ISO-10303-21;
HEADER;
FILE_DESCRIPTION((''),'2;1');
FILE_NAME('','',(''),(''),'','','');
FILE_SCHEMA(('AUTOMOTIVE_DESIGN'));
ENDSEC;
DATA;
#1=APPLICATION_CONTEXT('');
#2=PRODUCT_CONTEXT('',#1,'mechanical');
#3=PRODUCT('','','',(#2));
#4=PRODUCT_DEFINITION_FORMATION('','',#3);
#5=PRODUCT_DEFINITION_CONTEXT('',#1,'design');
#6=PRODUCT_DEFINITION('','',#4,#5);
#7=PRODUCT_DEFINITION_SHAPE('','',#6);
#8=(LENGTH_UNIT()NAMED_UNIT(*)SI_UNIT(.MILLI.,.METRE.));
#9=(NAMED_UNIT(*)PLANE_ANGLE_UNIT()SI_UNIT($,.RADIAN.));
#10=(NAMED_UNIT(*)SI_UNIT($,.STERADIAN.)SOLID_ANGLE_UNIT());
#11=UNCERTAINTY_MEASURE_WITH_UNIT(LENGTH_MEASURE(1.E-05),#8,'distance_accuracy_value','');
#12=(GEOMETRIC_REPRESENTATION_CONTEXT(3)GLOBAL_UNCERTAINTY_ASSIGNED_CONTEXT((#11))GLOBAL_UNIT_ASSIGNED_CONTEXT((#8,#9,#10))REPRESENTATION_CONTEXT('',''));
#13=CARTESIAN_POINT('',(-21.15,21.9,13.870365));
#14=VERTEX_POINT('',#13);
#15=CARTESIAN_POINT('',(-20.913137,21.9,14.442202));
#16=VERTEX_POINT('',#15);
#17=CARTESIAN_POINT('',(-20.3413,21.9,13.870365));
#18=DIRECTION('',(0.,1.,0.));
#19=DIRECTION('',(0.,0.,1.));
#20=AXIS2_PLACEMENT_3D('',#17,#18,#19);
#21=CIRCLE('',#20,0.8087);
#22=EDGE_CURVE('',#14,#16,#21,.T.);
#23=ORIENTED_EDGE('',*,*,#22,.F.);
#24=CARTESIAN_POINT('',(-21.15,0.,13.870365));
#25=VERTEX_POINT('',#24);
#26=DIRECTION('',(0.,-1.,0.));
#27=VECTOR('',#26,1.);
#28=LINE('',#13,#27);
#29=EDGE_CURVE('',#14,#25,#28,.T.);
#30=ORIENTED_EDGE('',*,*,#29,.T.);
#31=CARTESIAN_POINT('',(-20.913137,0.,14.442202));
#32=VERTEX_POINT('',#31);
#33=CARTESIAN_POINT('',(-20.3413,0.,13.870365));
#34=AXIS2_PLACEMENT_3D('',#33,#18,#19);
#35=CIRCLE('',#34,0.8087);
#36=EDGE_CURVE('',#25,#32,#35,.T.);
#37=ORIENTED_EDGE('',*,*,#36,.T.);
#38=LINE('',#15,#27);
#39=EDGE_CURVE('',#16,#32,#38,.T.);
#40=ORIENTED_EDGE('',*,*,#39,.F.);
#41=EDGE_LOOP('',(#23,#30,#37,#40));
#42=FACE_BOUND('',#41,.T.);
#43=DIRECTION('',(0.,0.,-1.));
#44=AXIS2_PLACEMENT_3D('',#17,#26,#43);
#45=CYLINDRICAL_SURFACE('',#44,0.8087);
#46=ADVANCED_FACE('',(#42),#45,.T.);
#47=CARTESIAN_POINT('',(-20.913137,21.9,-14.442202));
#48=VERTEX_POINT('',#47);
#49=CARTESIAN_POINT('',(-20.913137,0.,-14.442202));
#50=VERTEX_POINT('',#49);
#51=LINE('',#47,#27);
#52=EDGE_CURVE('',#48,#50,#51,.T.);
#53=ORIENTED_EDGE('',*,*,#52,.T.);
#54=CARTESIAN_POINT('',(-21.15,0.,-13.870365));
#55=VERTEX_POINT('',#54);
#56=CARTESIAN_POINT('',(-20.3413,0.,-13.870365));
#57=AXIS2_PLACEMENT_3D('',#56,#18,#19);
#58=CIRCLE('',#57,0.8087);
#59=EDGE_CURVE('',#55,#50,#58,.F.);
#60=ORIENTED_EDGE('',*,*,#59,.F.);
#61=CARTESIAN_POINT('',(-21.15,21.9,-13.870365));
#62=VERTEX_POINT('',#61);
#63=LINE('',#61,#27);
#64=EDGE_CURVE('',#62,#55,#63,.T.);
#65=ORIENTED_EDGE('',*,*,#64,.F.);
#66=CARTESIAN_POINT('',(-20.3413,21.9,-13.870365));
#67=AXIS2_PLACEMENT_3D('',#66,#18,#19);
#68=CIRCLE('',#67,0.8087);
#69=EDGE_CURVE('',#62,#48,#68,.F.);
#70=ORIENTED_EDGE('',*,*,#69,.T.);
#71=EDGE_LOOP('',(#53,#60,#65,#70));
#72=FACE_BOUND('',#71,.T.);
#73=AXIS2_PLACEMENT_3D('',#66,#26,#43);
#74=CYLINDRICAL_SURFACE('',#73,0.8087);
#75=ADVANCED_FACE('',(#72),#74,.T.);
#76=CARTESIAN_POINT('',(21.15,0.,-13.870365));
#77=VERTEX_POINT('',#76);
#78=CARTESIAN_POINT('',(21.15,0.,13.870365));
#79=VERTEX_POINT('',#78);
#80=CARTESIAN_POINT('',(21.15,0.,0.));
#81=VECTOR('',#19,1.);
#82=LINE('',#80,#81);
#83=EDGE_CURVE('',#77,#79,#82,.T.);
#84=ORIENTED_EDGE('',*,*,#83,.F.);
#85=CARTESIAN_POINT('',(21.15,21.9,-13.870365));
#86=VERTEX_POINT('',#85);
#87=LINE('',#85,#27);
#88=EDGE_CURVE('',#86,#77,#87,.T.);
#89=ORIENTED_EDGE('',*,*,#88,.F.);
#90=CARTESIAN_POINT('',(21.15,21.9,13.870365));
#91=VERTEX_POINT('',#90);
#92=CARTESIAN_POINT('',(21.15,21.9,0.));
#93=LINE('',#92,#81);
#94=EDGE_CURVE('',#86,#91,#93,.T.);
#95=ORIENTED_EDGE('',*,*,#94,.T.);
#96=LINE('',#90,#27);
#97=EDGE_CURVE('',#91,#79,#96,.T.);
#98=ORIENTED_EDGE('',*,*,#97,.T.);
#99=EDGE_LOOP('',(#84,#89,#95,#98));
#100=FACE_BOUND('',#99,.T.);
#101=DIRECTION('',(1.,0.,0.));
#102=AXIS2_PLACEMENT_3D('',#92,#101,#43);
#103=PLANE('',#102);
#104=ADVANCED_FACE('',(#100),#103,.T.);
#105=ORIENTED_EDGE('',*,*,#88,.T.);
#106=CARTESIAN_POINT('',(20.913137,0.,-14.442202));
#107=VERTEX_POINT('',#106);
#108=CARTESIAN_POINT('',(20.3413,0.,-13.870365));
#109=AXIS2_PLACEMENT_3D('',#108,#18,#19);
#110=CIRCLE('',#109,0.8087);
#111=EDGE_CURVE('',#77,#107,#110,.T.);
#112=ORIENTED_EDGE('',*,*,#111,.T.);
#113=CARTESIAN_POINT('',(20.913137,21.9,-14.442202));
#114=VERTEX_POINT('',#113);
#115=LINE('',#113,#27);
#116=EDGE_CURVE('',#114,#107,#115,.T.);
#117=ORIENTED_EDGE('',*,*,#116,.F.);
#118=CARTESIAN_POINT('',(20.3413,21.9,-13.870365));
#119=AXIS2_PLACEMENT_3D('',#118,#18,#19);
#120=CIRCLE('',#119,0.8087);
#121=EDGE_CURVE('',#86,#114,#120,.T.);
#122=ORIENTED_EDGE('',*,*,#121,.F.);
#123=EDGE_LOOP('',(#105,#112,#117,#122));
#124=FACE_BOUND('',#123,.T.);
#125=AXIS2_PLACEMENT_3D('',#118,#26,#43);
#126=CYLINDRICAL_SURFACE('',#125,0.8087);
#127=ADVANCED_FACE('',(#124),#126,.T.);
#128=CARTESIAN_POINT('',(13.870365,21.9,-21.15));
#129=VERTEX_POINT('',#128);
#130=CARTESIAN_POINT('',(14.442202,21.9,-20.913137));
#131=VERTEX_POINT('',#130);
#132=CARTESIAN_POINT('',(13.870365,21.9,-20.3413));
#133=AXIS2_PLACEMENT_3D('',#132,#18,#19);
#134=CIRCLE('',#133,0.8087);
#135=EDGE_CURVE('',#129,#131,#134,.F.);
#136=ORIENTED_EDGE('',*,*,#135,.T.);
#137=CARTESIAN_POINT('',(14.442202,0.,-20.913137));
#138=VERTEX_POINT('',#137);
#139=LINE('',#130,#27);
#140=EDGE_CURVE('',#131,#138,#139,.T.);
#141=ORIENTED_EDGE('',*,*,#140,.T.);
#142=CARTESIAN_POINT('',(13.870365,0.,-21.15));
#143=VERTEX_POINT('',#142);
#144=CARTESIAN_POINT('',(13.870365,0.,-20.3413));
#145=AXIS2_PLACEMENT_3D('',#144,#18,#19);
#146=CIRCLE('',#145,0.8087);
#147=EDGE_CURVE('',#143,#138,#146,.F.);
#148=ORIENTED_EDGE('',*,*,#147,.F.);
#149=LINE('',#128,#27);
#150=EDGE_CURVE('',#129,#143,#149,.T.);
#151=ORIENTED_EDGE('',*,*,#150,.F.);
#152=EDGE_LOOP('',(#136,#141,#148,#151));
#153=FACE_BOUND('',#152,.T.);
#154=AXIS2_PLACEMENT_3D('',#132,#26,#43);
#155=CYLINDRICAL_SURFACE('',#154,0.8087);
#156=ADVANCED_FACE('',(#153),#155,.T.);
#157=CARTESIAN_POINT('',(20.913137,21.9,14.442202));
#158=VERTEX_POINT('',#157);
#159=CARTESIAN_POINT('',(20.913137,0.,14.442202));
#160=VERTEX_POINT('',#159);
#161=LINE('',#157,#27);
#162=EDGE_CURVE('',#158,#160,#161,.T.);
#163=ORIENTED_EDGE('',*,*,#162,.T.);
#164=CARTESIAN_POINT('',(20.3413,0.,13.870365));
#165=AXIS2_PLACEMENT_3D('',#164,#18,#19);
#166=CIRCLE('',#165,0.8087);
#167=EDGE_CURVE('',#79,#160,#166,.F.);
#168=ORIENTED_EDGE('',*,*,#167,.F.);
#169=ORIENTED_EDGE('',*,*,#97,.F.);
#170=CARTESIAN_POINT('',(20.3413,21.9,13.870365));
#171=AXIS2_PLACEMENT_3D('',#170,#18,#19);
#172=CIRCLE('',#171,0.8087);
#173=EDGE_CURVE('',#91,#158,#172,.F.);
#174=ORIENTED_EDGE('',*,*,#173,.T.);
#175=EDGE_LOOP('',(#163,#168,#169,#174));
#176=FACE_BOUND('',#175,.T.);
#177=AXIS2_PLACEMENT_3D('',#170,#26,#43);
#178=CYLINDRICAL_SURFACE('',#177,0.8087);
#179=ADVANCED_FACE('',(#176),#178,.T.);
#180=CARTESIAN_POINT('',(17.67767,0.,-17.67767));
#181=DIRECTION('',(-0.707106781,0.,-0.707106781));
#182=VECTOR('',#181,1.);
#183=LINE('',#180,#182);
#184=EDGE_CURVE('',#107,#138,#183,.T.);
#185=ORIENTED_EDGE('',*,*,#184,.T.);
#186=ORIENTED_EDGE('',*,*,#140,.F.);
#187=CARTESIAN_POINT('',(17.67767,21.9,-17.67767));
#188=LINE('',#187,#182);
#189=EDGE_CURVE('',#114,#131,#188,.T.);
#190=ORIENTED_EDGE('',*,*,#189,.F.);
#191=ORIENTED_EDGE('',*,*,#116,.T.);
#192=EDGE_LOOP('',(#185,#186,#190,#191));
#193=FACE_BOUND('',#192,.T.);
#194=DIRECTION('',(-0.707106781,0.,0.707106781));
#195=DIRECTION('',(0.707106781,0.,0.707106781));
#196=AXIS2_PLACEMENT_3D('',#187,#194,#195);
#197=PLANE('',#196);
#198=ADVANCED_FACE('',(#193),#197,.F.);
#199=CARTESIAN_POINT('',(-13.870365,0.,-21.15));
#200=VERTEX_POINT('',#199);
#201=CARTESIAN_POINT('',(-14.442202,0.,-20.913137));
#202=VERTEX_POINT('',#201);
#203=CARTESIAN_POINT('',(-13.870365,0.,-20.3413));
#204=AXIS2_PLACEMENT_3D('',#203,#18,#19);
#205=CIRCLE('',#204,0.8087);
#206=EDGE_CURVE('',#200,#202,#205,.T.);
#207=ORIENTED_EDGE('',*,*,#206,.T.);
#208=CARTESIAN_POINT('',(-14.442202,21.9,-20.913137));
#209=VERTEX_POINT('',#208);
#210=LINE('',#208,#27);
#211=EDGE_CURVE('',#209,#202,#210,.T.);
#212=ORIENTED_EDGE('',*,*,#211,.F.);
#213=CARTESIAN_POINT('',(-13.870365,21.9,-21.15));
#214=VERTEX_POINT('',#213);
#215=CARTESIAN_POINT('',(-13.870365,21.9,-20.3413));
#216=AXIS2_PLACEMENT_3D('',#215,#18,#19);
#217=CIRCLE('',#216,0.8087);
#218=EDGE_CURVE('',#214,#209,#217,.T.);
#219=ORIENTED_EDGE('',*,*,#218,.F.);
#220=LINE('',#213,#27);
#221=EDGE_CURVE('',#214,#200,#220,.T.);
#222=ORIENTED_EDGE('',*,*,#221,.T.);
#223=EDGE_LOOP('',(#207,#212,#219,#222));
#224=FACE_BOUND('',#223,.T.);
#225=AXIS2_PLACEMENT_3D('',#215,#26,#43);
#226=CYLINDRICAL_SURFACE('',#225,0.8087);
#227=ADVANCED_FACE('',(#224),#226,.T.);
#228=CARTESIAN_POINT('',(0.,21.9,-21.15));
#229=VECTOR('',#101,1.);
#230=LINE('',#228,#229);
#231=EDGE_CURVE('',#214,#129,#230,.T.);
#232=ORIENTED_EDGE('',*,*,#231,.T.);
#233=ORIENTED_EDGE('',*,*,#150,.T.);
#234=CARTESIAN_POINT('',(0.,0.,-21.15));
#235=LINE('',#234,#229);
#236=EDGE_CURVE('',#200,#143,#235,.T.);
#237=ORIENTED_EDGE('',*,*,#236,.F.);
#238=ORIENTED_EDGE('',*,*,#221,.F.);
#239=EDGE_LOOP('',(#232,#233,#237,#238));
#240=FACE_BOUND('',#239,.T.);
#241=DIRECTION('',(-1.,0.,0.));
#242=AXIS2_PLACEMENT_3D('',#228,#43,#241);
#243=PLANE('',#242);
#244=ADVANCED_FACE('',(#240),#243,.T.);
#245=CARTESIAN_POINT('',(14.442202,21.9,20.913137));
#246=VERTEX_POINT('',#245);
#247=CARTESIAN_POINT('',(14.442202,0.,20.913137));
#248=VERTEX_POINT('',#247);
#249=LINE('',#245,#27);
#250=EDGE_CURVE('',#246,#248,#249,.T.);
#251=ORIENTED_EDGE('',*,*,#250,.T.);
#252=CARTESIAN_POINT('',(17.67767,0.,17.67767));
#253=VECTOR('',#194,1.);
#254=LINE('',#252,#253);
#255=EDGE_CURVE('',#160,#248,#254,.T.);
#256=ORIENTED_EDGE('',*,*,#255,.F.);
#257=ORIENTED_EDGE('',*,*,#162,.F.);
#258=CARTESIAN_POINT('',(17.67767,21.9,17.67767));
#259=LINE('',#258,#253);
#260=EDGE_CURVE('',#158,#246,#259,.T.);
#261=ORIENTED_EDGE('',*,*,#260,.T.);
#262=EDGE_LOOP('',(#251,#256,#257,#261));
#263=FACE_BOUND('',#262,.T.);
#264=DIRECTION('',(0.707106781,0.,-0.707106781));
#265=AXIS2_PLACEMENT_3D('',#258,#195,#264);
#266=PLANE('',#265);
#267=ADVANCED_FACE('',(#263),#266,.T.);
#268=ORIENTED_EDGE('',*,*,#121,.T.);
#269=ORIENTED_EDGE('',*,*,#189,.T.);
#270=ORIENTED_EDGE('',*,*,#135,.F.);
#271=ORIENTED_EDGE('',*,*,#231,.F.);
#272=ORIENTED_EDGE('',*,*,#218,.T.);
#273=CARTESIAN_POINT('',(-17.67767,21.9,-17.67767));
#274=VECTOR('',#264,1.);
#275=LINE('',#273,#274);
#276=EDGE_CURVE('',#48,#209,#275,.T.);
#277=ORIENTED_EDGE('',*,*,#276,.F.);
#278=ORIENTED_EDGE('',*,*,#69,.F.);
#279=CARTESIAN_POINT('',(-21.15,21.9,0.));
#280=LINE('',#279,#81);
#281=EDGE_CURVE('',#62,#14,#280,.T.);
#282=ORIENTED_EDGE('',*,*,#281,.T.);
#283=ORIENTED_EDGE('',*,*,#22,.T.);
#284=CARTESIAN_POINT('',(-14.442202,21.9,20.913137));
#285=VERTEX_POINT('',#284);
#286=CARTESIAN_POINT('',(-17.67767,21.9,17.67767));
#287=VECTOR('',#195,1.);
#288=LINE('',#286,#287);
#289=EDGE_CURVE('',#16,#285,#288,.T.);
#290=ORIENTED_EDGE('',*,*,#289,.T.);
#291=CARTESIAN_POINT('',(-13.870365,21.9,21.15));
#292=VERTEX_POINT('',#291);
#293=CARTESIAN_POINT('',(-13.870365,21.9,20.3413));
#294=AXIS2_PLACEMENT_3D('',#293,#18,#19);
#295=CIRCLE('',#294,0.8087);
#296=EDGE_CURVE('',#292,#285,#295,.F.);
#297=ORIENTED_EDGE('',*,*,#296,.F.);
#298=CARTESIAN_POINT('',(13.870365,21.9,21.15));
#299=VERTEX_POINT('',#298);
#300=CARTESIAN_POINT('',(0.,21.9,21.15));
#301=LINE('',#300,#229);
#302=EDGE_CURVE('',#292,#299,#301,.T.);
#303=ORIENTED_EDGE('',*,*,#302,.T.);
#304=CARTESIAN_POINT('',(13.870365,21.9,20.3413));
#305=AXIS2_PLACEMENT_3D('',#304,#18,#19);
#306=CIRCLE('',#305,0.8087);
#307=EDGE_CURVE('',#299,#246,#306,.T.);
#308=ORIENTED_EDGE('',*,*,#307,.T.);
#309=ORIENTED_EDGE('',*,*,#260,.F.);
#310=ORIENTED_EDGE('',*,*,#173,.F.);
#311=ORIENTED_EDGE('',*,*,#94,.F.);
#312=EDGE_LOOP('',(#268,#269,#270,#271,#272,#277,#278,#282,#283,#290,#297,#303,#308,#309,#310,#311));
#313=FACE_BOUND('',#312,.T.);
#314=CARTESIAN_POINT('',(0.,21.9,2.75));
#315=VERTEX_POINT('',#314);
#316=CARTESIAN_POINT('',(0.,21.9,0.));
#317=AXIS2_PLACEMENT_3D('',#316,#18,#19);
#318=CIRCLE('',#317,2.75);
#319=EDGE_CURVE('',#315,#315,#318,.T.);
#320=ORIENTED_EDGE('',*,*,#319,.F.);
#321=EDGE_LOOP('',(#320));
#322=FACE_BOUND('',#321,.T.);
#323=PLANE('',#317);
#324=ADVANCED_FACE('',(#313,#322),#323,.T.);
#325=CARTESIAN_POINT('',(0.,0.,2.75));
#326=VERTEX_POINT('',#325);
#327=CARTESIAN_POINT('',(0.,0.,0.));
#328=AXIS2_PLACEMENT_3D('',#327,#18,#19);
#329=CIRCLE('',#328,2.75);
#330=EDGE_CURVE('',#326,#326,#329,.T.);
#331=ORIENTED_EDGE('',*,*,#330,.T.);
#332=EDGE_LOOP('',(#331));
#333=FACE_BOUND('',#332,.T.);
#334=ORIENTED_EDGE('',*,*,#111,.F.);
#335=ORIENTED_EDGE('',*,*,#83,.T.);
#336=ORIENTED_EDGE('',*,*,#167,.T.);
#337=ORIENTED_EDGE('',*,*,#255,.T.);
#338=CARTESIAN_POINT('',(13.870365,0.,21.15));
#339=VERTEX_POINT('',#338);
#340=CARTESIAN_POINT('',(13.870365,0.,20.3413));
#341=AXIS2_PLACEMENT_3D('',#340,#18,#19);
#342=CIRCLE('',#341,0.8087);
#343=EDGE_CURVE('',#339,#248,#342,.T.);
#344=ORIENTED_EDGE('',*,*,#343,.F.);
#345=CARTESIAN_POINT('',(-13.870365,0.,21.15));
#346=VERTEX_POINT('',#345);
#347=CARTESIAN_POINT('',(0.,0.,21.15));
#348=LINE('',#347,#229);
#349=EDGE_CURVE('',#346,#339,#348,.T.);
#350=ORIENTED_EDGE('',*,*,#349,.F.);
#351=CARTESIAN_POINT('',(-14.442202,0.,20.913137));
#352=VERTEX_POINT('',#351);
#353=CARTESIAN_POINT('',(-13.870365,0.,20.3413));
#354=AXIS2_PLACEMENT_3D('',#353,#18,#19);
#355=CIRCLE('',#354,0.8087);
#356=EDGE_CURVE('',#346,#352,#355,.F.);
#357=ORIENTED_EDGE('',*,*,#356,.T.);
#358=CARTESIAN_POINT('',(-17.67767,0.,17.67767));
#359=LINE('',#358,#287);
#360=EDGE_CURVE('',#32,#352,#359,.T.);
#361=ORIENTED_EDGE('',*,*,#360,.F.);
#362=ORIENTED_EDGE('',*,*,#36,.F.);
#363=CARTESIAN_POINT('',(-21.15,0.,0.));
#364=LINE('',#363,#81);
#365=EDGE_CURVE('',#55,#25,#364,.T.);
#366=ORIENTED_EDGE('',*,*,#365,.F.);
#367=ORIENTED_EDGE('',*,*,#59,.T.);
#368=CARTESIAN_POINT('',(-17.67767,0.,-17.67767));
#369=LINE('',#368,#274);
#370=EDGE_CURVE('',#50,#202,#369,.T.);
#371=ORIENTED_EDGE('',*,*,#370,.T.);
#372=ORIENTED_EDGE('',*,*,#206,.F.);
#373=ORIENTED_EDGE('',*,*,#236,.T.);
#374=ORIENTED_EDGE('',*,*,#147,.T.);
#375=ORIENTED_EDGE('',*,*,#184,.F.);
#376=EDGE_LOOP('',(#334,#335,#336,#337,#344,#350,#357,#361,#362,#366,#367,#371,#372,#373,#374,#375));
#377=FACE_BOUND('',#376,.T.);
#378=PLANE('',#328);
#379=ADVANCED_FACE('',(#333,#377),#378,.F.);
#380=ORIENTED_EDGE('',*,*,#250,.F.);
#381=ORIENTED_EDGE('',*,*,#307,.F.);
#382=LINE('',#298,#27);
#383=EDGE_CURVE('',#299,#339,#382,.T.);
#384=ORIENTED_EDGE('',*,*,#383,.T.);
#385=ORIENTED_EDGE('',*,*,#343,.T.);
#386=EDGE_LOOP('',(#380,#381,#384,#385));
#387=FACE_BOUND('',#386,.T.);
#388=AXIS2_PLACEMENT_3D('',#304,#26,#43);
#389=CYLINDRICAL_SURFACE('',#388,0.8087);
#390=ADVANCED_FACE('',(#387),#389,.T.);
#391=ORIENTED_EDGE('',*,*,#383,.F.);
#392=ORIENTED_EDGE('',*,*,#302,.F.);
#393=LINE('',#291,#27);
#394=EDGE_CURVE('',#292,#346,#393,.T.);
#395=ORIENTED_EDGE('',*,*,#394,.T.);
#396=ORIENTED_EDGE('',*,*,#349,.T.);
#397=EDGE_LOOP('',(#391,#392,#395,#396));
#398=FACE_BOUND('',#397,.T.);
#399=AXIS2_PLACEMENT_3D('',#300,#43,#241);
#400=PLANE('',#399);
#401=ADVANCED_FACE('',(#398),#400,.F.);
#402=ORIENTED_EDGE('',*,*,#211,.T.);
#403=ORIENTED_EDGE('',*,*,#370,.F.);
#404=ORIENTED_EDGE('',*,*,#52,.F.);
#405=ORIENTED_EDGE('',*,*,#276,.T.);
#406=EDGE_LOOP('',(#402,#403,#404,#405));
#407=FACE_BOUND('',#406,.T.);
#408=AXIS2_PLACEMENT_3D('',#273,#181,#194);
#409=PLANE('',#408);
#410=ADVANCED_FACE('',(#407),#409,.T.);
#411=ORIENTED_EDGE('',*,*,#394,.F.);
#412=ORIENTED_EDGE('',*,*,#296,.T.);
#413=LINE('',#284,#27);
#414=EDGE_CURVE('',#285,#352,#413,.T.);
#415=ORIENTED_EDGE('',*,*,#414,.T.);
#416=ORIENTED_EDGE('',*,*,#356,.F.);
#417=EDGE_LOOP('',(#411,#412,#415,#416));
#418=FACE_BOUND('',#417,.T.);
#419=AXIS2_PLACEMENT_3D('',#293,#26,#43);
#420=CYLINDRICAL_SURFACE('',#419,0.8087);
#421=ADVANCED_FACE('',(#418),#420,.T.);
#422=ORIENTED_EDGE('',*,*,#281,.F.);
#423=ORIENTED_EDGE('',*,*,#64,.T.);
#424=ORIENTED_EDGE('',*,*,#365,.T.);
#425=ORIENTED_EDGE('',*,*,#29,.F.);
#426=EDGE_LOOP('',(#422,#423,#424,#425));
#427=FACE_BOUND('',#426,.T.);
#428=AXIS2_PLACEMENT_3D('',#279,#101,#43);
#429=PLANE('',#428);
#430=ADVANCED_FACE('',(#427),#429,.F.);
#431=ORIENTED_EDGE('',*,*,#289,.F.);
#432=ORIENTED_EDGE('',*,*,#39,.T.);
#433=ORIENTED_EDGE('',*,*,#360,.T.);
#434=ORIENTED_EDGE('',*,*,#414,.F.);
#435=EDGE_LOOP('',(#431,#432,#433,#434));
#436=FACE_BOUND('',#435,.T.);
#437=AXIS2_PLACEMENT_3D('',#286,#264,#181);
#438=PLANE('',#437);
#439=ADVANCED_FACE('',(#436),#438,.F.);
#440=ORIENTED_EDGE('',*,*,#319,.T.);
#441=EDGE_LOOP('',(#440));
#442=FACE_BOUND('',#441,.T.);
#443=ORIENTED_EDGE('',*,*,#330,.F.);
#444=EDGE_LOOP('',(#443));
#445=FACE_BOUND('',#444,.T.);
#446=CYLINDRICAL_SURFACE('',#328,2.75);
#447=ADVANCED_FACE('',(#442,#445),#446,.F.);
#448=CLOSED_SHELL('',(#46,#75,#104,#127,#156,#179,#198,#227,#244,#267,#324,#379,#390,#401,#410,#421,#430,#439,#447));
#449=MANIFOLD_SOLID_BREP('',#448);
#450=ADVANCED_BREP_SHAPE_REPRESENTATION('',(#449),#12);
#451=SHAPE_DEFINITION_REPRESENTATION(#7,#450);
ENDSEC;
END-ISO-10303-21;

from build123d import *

# Parameters (mm, degrees)
BOSS_EXTRUDE1_DEPTH     = 21.9
CUT_EXTRUDE1_DEPTH      = 38.070945496
CUT_EXTRUDE1_DEPTH_BACK = 38.070945496
SKETCH2_R               = 2.75


with BuildPart() as part:
    # Sketch1 → Boss-Extrude1 (new body)
    with BuildSketch(Plane(origin=(0, 0, 0), x_dir=(1, 0, 0), z_dir=(0, 1, 0))):
        with BuildLine():
            Line((-14.442201826, 20.913137233), (-20.913137233, 14.442201826))
            ThreePointArc((-20.913137233, 14.442201826), (-21.088441372, 14.179840641), (-21.15, 13.870364522))
            Line((-21.15, 13.870364522), (-21.15, -13.870364522))
            ThreePointArc((-21.15, -13.870364522), (-21.088441372, -14.179840641), (-20.913137233, -14.442201826))
            Line((-20.913137233, -14.442201826), (-14.442201826, -20.913137233))
            ThreePointArc((-14.442201826, -20.913137233), (-14.179840641, -21.088441372), (-13.870364522, -21.15))
            Line((-13.870364522, -21.15), (13.870364522, -21.15))
            ThreePointArc((13.870364522, -21.15), (14.179840641, -21.088441372), (14.442201826, -20.913137233))
            Line((14.442201826, -20.913137233), (20.913137233, -14.442201826))
            ThreePointArc((20.913137233, -14.442201826), (21.088441372, -14.179840641), (21.15, -13.870364522))
            Line((21.15, -13.870364522), (21.15, 13.870364522))
            ThreePointArc((21.15, 13.870364522), (21.088441372, 14.179840641), (20.913137233, 14.442201826))
            Line((20.913137233, 14.442201826), (14.442201826, 20.913137233))
            ThreePointArc((14.442201826, 20.913137233), (14.179840641, 21.088441372), (13.870364522, 21.15))
            Line((13.870364522, 21.15), (-13.870364522, 21.15))
            ThreePointArc((-13.870364522, 21.15), (-14.179840641, 21.088441372), (-14.442201826, 20.913137233))
        make_face()
    extrude(amount=BOSS_EXTRUDE1_DEPTH)

    # Sketch2 → Cut-Extrude1 (cut, two sides: drawn at the far end of the back side and taken through both)
    with BuildSketch(Plane(origin=(0, 21.9, 0), x_dir=(1, 0, 0), z_dir=(0, 1, 0)).offset(-CUT_EXTRUDE1_DEPTH_BACK)):
        with Locations(Location((0, 0, 0), (0, 0, 270))):
            Circle(SKETCH2_R)
    extrude(amount=CUT_EXTRUDE1_DEPTH + CUT_EXTRUDE1_DEPTH_BACK, mode=Mode.SUBTRACT)


solid = part.part
